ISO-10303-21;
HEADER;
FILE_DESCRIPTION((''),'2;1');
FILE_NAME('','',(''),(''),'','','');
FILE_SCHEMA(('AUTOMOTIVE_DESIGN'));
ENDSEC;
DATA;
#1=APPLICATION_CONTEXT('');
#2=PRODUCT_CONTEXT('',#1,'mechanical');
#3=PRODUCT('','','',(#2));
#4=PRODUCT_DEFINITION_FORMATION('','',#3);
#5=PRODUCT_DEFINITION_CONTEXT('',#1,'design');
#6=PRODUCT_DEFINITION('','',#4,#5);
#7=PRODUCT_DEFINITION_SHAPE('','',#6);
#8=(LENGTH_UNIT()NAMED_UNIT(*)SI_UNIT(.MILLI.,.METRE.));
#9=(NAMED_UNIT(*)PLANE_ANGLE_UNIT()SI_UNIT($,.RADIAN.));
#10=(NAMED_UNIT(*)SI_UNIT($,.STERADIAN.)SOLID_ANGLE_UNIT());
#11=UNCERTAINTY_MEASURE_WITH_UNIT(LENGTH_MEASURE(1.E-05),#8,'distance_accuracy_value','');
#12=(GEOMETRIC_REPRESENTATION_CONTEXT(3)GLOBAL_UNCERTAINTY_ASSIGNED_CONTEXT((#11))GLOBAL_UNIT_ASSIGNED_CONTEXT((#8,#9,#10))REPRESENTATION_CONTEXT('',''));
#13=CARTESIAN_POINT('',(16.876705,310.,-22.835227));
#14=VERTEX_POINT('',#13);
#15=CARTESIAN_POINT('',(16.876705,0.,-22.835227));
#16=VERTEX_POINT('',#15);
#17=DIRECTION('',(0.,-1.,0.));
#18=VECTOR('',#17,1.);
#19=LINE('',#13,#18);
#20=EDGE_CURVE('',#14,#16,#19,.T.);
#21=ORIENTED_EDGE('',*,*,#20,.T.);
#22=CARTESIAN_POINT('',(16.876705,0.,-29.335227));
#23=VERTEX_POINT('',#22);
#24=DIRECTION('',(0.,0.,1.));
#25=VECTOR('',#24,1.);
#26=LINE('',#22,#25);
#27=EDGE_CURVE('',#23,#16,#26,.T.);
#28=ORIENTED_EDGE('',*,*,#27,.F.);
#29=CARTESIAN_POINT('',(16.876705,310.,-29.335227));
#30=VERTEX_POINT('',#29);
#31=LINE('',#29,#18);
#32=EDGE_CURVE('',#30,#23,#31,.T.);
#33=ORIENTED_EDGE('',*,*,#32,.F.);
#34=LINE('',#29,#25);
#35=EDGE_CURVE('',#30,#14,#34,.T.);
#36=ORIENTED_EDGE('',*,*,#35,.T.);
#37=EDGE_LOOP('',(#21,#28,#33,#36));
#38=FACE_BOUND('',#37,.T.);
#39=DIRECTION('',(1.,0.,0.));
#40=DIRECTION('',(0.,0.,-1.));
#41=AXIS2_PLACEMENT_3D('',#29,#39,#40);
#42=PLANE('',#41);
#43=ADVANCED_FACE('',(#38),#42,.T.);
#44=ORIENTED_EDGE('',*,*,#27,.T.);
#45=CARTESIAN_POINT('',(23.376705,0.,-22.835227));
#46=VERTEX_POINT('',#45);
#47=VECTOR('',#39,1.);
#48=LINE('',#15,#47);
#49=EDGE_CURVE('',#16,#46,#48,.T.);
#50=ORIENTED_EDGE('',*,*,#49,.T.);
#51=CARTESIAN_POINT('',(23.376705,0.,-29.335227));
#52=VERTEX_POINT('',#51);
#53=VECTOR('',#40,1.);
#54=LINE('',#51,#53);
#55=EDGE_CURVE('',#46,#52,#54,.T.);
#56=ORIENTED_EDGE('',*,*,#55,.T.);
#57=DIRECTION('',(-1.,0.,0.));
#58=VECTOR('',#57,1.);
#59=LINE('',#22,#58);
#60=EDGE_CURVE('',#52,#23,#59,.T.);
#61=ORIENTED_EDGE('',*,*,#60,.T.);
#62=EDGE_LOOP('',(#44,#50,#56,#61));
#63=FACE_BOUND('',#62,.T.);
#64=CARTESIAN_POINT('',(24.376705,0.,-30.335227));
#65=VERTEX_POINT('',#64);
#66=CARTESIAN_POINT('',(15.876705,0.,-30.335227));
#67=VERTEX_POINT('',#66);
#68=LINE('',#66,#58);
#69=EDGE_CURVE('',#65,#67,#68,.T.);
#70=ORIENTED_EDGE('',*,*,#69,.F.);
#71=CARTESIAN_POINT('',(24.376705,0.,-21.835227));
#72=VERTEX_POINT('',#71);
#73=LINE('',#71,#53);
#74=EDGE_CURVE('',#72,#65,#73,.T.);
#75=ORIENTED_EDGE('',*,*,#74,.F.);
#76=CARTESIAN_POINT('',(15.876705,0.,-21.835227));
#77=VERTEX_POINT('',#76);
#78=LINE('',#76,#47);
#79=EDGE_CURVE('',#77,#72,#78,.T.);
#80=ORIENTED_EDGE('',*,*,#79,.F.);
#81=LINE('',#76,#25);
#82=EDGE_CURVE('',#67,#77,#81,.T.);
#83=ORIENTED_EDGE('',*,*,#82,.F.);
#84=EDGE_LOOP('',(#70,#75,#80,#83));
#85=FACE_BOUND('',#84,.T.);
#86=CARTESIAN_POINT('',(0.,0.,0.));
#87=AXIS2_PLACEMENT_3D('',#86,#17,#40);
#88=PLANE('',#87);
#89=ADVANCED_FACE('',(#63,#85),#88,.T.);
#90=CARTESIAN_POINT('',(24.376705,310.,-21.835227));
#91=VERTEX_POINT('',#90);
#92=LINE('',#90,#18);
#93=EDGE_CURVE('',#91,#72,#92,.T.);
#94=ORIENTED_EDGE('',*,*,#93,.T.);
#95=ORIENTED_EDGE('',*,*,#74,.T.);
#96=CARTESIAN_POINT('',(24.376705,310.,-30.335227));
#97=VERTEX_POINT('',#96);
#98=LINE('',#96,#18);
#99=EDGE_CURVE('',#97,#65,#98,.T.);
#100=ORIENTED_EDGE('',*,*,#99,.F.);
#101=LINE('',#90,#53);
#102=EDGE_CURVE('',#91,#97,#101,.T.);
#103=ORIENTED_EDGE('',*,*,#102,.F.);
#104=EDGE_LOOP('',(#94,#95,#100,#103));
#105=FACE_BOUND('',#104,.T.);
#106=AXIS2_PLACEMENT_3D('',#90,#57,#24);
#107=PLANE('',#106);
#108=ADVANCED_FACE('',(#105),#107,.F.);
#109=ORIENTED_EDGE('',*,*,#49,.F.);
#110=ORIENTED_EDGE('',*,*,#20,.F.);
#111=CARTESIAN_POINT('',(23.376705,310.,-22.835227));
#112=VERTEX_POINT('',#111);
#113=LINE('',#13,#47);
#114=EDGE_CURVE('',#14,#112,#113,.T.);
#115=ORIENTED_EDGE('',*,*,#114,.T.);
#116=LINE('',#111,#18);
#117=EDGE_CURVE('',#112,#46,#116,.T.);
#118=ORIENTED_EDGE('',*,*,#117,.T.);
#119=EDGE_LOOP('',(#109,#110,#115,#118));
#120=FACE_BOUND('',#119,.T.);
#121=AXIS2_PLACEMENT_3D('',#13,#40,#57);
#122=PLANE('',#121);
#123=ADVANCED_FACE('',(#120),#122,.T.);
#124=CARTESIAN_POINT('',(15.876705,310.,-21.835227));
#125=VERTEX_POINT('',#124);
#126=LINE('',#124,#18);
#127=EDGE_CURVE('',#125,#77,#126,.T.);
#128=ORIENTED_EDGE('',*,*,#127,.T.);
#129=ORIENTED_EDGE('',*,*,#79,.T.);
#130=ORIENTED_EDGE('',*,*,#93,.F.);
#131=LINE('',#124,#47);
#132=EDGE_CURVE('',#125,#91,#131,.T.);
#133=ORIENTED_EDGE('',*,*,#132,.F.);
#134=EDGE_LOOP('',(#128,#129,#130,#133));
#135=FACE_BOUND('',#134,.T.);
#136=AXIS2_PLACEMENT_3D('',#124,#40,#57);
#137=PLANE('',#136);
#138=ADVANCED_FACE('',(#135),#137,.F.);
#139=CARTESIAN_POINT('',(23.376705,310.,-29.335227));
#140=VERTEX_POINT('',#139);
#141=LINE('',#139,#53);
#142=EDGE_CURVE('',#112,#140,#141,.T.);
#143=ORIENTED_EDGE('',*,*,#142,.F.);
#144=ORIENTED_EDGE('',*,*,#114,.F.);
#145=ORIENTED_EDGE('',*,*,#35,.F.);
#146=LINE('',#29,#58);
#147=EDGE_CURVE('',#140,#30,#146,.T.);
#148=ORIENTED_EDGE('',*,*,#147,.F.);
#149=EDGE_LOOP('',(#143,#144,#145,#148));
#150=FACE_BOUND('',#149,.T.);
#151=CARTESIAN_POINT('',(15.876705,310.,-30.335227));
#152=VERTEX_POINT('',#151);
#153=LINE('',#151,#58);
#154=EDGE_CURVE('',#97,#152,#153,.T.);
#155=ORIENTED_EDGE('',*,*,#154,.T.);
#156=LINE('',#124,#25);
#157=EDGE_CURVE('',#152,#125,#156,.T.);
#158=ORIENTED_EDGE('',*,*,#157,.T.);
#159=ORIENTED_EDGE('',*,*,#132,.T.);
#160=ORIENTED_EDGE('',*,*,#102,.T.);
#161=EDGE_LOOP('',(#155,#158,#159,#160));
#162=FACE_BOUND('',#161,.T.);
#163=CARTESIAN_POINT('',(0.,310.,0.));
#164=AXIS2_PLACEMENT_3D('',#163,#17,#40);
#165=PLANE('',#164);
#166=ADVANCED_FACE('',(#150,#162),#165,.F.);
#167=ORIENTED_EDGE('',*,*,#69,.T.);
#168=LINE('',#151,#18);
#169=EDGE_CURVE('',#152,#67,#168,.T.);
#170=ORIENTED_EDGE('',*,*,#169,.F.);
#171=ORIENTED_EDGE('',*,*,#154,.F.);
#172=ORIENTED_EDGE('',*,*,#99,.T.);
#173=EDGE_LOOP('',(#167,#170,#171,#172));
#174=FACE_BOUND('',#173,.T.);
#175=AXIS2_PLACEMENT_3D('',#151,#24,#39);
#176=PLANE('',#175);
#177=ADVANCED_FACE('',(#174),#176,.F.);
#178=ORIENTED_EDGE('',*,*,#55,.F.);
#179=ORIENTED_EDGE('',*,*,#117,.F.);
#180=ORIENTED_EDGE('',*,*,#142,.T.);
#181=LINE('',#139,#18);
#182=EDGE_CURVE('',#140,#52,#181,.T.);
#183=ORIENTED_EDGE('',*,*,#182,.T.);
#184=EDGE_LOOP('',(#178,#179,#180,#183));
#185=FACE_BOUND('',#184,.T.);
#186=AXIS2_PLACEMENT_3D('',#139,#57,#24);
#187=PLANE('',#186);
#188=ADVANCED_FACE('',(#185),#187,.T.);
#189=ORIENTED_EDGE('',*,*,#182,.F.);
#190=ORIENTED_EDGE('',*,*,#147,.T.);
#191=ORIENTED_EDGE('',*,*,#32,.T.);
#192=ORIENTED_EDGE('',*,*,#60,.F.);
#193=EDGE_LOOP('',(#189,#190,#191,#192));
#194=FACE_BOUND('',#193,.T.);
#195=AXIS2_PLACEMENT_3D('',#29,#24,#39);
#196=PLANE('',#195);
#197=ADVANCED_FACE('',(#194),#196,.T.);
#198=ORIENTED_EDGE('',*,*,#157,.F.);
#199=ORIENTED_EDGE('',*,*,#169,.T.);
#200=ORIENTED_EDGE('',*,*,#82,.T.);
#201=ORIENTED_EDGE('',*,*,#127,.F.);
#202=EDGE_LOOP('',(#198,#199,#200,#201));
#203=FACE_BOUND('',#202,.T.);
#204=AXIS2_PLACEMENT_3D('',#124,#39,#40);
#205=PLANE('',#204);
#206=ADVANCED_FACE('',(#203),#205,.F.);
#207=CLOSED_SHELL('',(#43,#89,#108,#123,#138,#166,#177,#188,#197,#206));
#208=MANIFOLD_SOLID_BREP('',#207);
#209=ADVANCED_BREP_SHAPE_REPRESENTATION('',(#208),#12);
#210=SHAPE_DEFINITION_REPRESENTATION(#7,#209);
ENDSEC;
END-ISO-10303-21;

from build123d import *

# Parameters (mm, degrees)
SKETCH1_W           = 8.5
SKETCH1_H           = 8.5
SKETCH1_W_2         = 6.5
SKETCH1_H_2         = 6.5
BOSS_EXTRUDE1_DEPTH = 310


with BuildPart() as part:
    # Sketch1 → Boss-Extrude1 (new body)
    with BuildSketch(Plane(origin=(0, 0, 0), x_dir=(1, 0, 0), z_dir=(0, 1, 0))):
        with Locations((20.126704545, 26.085227273)):
            Rectangle(SKETCH1_W, SKETCH1_H)
        with Locations((20.126704545, 26.085227273)):
            Rectangle(SKETCH1_W_2, SKETCH1_H_2, mode=Mode.SUBTRACT)
    extrude(amount=BOSS_EXTRUDE1_DEPTH)


solid = part.part
